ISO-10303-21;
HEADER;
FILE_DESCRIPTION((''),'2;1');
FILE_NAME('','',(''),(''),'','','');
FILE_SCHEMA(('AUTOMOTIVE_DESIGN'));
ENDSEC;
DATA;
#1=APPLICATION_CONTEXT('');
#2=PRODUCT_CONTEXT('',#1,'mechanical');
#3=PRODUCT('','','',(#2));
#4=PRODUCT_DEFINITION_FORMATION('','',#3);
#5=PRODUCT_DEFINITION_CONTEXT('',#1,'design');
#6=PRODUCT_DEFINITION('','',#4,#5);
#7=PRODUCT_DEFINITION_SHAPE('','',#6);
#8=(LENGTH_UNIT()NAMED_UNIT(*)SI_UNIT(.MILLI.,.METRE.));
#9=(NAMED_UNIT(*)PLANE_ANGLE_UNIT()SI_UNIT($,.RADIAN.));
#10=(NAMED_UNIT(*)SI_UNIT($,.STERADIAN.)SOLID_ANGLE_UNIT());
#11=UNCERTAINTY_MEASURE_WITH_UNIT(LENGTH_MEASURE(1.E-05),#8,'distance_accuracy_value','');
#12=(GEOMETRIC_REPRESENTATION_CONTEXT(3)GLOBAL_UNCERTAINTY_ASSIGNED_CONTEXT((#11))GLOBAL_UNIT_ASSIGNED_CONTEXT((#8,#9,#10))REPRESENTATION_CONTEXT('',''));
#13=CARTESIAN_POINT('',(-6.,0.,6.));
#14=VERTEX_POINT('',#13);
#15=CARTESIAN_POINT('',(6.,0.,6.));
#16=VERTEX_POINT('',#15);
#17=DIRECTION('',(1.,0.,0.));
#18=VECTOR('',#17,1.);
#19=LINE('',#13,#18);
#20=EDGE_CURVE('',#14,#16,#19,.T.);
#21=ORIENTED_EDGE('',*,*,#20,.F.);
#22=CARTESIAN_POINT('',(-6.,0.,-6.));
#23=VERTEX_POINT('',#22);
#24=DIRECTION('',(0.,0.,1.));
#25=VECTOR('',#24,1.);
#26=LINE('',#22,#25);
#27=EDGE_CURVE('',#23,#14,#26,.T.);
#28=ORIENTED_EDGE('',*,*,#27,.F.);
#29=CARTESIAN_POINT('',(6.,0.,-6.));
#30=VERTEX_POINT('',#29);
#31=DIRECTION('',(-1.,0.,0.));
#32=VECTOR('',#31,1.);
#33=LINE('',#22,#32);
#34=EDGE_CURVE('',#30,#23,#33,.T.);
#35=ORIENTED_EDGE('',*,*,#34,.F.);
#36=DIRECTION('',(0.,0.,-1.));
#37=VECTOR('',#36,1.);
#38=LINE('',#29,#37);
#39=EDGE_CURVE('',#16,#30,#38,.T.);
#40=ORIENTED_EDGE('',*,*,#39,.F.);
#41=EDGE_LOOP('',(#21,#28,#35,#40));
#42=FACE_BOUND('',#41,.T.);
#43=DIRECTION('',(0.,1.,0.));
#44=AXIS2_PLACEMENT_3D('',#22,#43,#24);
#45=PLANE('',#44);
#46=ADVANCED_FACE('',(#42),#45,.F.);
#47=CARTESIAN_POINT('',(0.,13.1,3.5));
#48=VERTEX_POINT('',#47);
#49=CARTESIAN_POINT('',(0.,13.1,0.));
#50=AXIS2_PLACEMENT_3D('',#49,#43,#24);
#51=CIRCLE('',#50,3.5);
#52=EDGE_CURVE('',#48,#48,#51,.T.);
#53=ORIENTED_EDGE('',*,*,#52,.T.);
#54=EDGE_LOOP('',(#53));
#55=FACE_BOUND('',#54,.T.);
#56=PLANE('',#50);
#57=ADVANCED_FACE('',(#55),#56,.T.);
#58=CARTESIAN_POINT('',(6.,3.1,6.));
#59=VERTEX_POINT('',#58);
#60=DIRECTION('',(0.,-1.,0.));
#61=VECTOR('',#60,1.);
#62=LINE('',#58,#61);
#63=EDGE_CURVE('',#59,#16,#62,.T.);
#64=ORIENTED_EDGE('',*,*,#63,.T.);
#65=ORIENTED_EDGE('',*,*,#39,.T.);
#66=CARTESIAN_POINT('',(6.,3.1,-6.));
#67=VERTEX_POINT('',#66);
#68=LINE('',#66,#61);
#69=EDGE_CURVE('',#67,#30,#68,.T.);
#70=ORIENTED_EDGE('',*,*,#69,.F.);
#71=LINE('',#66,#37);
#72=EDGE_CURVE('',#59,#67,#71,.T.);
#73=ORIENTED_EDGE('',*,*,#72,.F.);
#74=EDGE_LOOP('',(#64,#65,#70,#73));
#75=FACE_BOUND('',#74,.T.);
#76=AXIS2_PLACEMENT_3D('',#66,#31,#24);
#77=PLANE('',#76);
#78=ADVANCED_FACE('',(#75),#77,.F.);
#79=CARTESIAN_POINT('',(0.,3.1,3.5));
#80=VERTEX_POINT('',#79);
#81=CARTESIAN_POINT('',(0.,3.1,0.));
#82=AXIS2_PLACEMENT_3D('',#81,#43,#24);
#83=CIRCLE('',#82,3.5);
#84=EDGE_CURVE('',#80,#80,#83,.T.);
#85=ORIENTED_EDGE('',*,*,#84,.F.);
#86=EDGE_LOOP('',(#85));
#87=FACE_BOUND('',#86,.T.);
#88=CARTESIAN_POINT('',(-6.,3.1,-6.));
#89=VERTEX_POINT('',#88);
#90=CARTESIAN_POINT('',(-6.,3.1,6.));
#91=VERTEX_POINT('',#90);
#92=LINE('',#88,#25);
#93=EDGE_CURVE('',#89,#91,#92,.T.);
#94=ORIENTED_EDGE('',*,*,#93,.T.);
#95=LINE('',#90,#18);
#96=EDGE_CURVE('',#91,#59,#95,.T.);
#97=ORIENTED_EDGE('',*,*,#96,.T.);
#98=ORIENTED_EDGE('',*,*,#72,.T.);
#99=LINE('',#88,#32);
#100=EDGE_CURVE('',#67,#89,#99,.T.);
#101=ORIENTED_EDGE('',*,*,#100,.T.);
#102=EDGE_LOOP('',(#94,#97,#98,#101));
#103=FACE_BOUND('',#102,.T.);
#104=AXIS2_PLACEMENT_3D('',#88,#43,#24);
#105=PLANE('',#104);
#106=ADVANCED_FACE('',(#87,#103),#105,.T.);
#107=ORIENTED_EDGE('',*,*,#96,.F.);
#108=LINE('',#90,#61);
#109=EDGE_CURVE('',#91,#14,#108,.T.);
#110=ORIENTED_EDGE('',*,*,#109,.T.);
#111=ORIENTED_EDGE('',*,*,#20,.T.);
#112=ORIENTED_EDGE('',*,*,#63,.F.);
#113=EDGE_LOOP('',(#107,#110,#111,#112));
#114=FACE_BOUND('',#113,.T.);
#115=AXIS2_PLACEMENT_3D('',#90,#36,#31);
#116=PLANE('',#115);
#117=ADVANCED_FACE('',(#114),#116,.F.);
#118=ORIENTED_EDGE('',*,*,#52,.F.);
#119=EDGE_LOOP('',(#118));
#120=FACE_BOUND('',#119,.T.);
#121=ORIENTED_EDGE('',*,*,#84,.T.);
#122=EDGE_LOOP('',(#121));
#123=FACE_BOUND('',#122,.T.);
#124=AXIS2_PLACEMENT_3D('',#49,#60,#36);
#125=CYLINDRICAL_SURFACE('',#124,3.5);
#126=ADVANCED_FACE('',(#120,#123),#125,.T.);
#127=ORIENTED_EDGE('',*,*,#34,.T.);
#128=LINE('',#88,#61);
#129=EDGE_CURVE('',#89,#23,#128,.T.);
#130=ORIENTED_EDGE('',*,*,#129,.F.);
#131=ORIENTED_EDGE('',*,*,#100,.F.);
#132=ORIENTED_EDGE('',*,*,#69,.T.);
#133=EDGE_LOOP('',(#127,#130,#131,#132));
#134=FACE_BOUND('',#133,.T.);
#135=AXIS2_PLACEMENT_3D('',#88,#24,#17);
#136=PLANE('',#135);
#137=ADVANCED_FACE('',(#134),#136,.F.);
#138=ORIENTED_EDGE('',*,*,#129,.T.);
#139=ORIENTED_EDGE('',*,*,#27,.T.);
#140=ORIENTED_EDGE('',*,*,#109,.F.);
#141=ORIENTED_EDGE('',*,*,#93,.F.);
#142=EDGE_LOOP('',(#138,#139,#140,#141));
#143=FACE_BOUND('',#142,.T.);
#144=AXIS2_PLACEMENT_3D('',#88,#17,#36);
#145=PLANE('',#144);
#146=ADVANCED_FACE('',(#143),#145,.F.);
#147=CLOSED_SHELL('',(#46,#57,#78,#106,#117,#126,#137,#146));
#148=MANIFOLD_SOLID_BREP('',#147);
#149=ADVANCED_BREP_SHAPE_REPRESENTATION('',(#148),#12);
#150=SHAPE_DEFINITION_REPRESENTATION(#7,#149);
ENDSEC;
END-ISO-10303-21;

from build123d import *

# Parameters (mm, degrees)
SKETCH_1_W      = 12
SKETCH_1_H      = 12
EXTRUDE_1_DEPTH = 3.1
SKETCH_2_R      = 3.5
EXTRUDE_2_DEPTH = 10


with BuildPart() as part:
    # 草图1 → 拉伸1 (new body)
    with BuildSketch(Plane(origin=(0, 0, 0), x_dir=(1, 0, 0), z_dir=(0, 1, 0))):
        Rectangle(SKETCH_1_W, SKETCH_1_H)
    extrude(amount=EXTRUDE_1_DEPTH)

    # 草图2 → 拉伸2 (add)
    with BuildSketch(Plane(origin=(0, 3.1, 0), x_dir=(-1, 0, 0), z_dir=(0, 1, 0))):
        with Locations(Location((0, 0, 0), (0, 0, 90))):
            Circle(SKETCH_2_R)
    extrude(amount=EXTRUDE_2_DEPTH)


solid = part.part
